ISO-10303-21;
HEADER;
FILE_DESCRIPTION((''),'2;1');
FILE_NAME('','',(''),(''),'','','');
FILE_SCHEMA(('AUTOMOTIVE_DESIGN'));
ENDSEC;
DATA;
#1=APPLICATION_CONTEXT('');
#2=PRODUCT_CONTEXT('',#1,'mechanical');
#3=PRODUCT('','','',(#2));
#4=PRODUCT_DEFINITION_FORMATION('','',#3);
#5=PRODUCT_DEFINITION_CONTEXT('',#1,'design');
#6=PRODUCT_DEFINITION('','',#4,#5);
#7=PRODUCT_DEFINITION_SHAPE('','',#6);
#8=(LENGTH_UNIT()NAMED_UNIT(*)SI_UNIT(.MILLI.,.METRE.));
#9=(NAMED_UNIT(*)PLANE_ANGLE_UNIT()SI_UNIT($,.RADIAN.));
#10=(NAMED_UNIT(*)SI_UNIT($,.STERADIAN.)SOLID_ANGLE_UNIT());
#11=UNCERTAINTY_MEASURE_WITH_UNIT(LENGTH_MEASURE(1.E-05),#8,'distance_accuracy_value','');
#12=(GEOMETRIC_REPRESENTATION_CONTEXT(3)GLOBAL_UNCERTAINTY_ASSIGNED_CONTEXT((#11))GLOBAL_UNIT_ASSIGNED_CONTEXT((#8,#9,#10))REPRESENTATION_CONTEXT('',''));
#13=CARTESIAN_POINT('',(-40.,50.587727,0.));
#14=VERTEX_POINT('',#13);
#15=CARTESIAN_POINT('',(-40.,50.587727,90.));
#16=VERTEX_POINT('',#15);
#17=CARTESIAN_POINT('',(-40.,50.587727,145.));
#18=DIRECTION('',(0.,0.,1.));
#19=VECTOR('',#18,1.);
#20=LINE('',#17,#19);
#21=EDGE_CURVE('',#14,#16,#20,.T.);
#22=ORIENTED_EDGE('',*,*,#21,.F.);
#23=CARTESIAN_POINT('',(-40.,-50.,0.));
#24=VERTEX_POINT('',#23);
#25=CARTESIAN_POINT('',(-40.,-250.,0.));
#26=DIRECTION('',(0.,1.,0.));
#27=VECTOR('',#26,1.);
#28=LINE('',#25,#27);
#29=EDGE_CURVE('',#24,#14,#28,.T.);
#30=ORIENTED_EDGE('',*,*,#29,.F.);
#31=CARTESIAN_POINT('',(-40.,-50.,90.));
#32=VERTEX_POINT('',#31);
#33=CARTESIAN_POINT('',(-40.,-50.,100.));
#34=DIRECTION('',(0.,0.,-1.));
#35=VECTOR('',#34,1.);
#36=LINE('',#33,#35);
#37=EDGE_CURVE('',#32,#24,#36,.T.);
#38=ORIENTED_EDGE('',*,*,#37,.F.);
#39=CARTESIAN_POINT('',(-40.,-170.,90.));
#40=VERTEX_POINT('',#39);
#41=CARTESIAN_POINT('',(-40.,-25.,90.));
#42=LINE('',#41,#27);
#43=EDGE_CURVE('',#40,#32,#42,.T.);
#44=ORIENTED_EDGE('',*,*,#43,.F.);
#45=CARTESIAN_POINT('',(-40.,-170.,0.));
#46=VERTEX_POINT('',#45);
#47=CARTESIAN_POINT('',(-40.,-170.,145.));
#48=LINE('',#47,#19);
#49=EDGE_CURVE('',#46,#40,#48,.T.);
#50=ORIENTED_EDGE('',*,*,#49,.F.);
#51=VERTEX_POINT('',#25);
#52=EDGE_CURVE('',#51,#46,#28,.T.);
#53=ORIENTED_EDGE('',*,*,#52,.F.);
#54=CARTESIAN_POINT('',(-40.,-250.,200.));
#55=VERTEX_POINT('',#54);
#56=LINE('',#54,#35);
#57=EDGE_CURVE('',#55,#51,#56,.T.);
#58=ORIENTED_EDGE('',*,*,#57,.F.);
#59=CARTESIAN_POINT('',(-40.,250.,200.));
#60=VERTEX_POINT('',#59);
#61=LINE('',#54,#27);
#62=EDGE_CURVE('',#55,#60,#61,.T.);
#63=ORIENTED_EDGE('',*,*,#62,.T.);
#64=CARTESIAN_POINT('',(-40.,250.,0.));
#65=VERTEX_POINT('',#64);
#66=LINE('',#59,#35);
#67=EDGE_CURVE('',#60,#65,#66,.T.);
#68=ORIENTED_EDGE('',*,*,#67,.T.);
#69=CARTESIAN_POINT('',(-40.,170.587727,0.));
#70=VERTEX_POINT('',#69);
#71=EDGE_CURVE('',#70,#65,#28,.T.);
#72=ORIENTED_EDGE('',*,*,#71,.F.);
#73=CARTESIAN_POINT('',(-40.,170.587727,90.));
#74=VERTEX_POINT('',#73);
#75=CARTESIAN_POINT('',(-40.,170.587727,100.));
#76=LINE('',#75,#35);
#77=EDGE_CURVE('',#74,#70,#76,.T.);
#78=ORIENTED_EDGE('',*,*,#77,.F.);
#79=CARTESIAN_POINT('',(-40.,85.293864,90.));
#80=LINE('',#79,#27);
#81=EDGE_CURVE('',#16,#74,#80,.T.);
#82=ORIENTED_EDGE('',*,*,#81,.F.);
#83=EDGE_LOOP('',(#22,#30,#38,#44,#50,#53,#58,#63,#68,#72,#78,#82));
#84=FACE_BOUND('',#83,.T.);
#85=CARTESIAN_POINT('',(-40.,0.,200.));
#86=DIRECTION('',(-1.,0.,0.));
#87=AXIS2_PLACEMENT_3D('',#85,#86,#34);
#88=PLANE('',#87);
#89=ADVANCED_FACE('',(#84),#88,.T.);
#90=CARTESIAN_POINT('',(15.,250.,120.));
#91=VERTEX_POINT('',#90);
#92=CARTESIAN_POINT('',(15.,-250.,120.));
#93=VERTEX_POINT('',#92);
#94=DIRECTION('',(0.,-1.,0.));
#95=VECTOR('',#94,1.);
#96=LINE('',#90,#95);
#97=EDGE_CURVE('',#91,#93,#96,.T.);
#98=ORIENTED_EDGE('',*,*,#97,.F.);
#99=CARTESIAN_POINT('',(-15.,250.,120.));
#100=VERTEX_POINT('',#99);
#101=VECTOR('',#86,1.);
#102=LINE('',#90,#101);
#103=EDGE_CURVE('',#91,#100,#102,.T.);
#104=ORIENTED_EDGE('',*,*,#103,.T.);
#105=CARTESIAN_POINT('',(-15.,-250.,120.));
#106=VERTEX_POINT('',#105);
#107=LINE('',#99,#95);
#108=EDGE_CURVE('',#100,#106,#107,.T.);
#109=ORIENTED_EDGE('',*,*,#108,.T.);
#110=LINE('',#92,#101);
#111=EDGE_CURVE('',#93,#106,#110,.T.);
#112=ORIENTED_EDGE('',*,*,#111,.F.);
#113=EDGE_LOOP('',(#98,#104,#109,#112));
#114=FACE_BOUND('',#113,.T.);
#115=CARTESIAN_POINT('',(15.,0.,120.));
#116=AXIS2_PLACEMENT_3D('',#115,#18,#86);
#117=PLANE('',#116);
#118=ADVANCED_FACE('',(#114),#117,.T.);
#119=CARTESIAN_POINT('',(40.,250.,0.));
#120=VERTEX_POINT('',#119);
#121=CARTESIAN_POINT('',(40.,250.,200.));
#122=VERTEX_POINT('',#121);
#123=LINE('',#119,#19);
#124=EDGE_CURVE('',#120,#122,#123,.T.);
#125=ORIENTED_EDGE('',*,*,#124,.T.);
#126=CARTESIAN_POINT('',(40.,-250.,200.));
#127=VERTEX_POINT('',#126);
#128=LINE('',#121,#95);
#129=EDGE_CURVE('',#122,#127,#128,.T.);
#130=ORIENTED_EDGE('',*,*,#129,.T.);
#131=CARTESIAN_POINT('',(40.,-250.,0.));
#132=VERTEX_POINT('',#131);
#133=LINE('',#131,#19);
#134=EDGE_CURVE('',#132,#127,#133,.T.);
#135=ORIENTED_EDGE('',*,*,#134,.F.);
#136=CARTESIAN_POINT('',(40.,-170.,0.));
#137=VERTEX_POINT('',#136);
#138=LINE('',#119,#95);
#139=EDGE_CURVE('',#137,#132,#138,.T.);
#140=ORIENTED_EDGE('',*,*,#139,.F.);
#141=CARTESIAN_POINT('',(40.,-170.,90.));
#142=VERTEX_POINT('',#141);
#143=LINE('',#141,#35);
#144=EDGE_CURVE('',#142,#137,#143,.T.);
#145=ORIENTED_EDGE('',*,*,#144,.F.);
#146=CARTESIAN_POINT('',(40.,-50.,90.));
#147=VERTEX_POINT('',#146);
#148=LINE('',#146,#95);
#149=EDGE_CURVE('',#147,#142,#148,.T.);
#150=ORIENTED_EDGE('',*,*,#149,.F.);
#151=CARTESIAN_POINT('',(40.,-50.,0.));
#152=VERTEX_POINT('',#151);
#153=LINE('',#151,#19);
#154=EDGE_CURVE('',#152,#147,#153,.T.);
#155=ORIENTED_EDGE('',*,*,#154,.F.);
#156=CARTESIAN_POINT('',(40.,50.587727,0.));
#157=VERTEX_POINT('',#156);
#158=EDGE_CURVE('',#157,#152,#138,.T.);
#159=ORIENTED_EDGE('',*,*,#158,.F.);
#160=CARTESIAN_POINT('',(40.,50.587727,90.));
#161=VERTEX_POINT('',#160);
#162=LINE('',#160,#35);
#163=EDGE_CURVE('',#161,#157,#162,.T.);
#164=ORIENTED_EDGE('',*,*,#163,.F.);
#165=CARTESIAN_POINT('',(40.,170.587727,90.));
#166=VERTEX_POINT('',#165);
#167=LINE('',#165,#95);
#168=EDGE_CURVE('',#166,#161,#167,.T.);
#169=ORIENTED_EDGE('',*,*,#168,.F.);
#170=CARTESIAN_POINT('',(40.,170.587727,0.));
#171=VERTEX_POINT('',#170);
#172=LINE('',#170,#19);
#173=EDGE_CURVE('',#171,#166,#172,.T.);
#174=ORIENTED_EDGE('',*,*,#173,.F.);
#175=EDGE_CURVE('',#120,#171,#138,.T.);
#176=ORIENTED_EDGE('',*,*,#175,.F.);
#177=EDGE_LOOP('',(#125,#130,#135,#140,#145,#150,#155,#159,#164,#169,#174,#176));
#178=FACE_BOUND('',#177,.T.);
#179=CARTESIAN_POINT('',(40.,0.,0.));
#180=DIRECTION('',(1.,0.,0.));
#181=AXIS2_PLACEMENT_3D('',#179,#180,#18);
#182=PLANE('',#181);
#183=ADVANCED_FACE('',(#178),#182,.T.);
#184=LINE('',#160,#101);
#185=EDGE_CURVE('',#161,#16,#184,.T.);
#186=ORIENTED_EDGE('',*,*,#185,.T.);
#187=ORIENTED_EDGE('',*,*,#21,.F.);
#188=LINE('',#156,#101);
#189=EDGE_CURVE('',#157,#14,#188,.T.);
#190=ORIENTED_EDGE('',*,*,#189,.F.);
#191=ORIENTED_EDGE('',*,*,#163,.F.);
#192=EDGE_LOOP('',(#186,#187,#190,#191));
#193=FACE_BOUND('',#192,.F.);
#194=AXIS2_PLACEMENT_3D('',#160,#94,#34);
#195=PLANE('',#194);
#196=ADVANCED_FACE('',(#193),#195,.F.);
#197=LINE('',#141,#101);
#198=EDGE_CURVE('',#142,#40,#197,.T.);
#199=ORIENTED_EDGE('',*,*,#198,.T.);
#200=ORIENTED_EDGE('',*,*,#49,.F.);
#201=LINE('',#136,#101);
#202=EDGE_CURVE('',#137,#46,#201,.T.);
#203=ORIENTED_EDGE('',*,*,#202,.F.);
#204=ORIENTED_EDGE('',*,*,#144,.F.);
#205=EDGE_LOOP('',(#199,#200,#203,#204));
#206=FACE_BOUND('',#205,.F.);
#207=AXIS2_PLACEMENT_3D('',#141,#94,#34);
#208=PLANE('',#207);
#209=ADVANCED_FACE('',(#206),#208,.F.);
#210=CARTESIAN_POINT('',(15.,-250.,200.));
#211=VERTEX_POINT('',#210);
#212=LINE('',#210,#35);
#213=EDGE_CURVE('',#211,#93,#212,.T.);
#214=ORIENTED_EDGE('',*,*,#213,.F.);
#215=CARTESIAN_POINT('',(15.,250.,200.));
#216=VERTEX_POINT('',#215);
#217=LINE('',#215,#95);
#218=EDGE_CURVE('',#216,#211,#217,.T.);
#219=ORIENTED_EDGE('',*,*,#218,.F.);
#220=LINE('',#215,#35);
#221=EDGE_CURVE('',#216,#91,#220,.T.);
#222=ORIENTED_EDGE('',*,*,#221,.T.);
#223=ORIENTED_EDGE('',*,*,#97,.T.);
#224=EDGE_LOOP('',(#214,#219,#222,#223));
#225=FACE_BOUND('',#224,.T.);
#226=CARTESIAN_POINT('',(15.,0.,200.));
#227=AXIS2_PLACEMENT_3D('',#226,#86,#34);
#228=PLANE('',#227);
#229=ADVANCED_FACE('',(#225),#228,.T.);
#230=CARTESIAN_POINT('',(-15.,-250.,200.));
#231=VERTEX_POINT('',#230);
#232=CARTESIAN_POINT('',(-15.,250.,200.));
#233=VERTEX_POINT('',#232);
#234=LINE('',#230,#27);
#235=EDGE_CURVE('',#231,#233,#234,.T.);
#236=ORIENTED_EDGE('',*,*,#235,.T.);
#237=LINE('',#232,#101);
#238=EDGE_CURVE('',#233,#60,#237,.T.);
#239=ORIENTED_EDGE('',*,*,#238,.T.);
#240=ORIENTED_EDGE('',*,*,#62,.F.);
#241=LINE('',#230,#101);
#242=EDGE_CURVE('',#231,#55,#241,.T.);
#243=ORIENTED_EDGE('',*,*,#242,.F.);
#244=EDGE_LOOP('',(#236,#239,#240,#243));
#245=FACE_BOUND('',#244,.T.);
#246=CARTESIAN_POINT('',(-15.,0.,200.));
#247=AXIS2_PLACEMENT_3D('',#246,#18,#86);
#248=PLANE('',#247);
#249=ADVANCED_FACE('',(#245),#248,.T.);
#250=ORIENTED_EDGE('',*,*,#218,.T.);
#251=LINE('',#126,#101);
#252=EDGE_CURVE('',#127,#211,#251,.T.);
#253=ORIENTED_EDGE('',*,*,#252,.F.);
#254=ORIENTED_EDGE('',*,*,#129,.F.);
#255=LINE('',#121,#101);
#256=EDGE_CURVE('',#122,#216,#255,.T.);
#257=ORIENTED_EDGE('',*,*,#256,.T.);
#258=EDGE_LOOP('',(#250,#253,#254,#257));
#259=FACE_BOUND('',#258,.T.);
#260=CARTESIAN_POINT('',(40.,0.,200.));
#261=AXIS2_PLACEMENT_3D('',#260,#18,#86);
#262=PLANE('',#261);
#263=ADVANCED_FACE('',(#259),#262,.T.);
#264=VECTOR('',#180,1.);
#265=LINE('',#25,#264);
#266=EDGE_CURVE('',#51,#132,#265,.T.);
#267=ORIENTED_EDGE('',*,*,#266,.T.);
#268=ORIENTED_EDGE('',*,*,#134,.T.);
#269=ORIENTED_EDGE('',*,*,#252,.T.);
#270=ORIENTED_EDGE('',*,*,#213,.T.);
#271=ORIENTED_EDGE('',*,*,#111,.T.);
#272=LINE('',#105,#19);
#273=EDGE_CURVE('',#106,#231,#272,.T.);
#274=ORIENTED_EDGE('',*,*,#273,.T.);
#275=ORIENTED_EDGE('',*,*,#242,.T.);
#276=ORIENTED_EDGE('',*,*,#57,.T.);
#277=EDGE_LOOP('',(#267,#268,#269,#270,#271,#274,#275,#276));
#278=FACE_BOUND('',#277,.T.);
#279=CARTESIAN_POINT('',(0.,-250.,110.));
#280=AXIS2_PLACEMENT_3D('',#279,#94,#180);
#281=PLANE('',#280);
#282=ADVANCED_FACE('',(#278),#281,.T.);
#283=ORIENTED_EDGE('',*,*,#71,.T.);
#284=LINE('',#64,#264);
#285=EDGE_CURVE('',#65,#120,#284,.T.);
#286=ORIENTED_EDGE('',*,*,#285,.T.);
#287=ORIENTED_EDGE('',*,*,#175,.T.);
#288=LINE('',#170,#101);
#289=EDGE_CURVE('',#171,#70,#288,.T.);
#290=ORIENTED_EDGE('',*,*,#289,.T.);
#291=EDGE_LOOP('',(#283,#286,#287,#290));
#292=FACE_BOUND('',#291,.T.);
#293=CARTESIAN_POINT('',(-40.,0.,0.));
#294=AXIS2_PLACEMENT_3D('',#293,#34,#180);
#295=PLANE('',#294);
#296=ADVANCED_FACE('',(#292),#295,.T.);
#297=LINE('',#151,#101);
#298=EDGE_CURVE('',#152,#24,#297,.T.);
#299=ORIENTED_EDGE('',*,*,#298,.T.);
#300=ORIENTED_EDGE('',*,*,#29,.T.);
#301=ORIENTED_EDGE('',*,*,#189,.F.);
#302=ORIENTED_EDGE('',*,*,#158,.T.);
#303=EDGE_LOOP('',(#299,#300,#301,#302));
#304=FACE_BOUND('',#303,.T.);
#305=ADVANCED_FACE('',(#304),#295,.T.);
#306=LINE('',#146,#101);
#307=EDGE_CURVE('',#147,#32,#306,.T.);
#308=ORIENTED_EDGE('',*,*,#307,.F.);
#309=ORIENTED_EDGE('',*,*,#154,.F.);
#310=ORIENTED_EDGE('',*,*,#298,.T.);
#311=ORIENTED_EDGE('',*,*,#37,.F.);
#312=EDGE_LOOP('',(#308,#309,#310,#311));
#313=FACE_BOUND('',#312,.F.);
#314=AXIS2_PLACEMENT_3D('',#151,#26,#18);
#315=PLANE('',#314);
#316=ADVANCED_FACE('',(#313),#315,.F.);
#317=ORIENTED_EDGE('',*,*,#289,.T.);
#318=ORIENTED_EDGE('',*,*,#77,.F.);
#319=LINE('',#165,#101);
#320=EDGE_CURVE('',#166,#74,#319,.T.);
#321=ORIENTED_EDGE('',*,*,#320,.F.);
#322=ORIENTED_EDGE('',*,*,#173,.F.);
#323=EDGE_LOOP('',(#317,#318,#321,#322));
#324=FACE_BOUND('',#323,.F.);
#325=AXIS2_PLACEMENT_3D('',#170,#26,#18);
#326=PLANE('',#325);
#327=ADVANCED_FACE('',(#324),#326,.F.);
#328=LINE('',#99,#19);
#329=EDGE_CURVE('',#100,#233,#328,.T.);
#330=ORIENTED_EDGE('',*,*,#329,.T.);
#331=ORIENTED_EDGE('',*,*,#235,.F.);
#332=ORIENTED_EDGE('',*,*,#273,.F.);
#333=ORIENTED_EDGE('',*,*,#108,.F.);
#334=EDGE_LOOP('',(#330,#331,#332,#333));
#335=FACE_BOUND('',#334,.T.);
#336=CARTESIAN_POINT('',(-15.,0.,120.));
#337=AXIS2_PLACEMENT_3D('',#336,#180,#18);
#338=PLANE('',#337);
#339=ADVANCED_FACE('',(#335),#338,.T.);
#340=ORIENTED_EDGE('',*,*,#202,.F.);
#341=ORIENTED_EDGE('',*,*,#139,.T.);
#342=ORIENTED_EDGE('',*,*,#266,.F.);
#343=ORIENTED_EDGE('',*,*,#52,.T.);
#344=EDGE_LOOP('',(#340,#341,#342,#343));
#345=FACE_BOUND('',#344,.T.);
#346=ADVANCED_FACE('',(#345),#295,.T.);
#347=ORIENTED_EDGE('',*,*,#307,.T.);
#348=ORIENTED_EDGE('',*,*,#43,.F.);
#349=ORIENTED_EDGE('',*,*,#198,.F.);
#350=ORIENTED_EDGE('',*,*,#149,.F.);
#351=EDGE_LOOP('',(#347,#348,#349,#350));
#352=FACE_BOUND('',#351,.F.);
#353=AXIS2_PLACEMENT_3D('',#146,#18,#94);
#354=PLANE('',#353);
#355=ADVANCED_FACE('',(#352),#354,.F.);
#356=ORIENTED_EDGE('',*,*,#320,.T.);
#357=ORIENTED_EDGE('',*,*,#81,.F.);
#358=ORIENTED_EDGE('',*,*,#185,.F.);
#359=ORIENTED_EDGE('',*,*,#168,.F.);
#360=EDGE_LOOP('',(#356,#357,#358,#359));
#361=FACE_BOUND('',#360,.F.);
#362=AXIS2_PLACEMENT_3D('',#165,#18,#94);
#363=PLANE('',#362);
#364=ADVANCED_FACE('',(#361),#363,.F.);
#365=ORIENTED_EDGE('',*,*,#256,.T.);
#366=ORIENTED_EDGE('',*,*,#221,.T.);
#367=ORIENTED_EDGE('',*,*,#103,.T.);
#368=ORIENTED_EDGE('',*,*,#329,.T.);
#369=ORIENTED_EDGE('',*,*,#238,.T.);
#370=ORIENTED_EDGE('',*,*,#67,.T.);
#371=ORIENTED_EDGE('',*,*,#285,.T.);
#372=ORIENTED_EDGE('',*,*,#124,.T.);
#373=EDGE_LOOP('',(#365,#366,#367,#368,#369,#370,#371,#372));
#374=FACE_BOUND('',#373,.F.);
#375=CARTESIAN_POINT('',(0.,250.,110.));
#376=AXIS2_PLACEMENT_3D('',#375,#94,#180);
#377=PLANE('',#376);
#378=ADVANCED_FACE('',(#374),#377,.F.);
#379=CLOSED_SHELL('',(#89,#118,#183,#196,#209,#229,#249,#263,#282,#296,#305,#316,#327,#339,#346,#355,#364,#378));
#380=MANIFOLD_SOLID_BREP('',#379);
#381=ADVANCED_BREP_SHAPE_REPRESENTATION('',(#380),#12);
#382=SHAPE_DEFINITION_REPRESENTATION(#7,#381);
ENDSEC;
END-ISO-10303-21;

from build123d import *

# Parameters (mm, degrees)
F1_DEPTH = 250
F3_DEPTH = 80.001


with BuildPart() as f1:
    # F0 (on Front) → F1 (new body, symmetric)
    with BuildSketch(Plane.XZ):
        Polygon((-40, 0), (40, 0), (40, 120), (40, 200), (15, 200), (15, 120), (-15, 120), (-15, 200), (-40, 200), (-40, 120), align=None)
    extrude(amount=F1_DEPTH, both=True)

    # F2 (on face) → F3 (cut, through all)
    with BuildSketch(Plane.YZ.offset(40)):
        Polygon((-170, 72.962383), (-170, 0), (-50, 0), (-50, 90), (-170, 90), align=None)
        Polygon((50.587727, 0), (170.587727, 0), (170.587727, 72.962383), (170.587727, 90), (50.587727, 90), align=None)
    extrude(amount=-F3_DEPTH, mode=Mode.SUBTRACT)


solid = f1.part
